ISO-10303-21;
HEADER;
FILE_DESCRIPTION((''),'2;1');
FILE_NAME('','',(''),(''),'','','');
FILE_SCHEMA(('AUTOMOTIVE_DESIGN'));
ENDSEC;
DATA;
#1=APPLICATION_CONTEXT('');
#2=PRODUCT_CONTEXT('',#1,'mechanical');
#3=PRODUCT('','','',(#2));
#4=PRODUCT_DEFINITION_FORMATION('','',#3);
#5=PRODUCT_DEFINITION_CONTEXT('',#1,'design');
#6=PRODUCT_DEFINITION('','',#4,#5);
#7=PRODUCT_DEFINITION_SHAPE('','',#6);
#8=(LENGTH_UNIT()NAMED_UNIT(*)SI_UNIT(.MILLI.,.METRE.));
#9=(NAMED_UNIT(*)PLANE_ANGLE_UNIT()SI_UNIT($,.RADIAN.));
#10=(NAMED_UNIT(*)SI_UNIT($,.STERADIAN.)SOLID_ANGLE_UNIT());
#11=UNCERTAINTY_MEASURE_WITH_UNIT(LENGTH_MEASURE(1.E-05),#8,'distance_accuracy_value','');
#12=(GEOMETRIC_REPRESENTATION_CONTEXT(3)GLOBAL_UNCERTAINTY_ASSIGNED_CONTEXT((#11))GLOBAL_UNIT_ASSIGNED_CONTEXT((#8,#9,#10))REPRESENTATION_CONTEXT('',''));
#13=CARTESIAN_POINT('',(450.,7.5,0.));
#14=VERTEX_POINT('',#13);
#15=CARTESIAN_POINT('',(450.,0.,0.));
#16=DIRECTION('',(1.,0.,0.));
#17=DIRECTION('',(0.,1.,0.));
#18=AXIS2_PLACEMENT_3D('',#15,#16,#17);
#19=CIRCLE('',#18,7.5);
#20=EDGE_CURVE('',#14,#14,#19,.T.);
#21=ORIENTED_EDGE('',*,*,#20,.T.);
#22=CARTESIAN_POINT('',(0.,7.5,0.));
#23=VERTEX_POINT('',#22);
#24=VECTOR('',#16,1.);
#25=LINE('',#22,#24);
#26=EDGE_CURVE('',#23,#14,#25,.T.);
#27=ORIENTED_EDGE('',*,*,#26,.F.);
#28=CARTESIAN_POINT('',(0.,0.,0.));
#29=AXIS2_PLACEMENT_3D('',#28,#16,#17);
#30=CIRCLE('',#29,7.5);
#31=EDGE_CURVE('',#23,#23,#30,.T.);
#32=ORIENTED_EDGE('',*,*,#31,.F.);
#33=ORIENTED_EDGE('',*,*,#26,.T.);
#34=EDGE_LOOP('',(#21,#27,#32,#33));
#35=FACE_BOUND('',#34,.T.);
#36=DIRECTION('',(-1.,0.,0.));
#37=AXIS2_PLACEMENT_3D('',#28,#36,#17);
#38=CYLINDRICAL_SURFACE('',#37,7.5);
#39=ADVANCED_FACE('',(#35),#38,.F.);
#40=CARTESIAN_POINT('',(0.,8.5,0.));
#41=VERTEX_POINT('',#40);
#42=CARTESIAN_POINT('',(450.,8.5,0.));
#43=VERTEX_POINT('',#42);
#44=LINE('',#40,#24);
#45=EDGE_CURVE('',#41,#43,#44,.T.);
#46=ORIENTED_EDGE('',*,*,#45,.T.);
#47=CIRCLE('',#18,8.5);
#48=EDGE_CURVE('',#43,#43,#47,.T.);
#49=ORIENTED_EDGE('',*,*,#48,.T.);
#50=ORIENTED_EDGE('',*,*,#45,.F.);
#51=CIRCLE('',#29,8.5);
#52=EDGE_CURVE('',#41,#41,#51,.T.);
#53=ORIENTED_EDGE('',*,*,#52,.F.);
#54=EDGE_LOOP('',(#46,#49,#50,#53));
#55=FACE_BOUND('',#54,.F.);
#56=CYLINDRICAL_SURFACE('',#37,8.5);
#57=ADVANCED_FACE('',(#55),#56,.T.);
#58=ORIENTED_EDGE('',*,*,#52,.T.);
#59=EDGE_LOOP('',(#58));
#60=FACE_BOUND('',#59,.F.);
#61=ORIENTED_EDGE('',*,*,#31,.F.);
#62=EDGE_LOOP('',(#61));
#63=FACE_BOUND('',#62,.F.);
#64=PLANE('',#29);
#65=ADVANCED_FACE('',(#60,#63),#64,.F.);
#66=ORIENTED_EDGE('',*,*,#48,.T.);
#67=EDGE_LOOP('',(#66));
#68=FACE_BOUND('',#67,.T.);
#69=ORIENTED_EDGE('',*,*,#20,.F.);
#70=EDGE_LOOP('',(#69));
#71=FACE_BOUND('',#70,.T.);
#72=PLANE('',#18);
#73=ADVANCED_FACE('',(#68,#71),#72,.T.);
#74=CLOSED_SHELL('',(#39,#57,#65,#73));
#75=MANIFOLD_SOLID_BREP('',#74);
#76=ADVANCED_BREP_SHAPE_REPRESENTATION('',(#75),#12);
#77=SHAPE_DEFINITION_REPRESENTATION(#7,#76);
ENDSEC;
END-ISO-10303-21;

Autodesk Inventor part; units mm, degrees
ref_plane "YZ Plane" through (0, 0, 0) normal (1, 0, 0) x (0, 1, 0)
ref_plane "XZ Plane" through (0, 0, 0) normal (0, 1, 0) x (-1, 0, 0)
ref_plane "XY Plane" through (0, 0, 0) normal (0, 0, 1) x (1, 0, 0)
sketch "Sketch1" plane through (0, 0, 0) normal (1, 0, 0) x (0, 1, 0)
  circle A0 centre (0, 0) radius 7.5
  circle A1 centre (0, 0) radius 8.5
  dimension "d0" = 15
  dimension "d1" = 17
extrude "Extrusion1" add sketch "Sketch1" along normal blind 450
properties part number "hillerTail"
